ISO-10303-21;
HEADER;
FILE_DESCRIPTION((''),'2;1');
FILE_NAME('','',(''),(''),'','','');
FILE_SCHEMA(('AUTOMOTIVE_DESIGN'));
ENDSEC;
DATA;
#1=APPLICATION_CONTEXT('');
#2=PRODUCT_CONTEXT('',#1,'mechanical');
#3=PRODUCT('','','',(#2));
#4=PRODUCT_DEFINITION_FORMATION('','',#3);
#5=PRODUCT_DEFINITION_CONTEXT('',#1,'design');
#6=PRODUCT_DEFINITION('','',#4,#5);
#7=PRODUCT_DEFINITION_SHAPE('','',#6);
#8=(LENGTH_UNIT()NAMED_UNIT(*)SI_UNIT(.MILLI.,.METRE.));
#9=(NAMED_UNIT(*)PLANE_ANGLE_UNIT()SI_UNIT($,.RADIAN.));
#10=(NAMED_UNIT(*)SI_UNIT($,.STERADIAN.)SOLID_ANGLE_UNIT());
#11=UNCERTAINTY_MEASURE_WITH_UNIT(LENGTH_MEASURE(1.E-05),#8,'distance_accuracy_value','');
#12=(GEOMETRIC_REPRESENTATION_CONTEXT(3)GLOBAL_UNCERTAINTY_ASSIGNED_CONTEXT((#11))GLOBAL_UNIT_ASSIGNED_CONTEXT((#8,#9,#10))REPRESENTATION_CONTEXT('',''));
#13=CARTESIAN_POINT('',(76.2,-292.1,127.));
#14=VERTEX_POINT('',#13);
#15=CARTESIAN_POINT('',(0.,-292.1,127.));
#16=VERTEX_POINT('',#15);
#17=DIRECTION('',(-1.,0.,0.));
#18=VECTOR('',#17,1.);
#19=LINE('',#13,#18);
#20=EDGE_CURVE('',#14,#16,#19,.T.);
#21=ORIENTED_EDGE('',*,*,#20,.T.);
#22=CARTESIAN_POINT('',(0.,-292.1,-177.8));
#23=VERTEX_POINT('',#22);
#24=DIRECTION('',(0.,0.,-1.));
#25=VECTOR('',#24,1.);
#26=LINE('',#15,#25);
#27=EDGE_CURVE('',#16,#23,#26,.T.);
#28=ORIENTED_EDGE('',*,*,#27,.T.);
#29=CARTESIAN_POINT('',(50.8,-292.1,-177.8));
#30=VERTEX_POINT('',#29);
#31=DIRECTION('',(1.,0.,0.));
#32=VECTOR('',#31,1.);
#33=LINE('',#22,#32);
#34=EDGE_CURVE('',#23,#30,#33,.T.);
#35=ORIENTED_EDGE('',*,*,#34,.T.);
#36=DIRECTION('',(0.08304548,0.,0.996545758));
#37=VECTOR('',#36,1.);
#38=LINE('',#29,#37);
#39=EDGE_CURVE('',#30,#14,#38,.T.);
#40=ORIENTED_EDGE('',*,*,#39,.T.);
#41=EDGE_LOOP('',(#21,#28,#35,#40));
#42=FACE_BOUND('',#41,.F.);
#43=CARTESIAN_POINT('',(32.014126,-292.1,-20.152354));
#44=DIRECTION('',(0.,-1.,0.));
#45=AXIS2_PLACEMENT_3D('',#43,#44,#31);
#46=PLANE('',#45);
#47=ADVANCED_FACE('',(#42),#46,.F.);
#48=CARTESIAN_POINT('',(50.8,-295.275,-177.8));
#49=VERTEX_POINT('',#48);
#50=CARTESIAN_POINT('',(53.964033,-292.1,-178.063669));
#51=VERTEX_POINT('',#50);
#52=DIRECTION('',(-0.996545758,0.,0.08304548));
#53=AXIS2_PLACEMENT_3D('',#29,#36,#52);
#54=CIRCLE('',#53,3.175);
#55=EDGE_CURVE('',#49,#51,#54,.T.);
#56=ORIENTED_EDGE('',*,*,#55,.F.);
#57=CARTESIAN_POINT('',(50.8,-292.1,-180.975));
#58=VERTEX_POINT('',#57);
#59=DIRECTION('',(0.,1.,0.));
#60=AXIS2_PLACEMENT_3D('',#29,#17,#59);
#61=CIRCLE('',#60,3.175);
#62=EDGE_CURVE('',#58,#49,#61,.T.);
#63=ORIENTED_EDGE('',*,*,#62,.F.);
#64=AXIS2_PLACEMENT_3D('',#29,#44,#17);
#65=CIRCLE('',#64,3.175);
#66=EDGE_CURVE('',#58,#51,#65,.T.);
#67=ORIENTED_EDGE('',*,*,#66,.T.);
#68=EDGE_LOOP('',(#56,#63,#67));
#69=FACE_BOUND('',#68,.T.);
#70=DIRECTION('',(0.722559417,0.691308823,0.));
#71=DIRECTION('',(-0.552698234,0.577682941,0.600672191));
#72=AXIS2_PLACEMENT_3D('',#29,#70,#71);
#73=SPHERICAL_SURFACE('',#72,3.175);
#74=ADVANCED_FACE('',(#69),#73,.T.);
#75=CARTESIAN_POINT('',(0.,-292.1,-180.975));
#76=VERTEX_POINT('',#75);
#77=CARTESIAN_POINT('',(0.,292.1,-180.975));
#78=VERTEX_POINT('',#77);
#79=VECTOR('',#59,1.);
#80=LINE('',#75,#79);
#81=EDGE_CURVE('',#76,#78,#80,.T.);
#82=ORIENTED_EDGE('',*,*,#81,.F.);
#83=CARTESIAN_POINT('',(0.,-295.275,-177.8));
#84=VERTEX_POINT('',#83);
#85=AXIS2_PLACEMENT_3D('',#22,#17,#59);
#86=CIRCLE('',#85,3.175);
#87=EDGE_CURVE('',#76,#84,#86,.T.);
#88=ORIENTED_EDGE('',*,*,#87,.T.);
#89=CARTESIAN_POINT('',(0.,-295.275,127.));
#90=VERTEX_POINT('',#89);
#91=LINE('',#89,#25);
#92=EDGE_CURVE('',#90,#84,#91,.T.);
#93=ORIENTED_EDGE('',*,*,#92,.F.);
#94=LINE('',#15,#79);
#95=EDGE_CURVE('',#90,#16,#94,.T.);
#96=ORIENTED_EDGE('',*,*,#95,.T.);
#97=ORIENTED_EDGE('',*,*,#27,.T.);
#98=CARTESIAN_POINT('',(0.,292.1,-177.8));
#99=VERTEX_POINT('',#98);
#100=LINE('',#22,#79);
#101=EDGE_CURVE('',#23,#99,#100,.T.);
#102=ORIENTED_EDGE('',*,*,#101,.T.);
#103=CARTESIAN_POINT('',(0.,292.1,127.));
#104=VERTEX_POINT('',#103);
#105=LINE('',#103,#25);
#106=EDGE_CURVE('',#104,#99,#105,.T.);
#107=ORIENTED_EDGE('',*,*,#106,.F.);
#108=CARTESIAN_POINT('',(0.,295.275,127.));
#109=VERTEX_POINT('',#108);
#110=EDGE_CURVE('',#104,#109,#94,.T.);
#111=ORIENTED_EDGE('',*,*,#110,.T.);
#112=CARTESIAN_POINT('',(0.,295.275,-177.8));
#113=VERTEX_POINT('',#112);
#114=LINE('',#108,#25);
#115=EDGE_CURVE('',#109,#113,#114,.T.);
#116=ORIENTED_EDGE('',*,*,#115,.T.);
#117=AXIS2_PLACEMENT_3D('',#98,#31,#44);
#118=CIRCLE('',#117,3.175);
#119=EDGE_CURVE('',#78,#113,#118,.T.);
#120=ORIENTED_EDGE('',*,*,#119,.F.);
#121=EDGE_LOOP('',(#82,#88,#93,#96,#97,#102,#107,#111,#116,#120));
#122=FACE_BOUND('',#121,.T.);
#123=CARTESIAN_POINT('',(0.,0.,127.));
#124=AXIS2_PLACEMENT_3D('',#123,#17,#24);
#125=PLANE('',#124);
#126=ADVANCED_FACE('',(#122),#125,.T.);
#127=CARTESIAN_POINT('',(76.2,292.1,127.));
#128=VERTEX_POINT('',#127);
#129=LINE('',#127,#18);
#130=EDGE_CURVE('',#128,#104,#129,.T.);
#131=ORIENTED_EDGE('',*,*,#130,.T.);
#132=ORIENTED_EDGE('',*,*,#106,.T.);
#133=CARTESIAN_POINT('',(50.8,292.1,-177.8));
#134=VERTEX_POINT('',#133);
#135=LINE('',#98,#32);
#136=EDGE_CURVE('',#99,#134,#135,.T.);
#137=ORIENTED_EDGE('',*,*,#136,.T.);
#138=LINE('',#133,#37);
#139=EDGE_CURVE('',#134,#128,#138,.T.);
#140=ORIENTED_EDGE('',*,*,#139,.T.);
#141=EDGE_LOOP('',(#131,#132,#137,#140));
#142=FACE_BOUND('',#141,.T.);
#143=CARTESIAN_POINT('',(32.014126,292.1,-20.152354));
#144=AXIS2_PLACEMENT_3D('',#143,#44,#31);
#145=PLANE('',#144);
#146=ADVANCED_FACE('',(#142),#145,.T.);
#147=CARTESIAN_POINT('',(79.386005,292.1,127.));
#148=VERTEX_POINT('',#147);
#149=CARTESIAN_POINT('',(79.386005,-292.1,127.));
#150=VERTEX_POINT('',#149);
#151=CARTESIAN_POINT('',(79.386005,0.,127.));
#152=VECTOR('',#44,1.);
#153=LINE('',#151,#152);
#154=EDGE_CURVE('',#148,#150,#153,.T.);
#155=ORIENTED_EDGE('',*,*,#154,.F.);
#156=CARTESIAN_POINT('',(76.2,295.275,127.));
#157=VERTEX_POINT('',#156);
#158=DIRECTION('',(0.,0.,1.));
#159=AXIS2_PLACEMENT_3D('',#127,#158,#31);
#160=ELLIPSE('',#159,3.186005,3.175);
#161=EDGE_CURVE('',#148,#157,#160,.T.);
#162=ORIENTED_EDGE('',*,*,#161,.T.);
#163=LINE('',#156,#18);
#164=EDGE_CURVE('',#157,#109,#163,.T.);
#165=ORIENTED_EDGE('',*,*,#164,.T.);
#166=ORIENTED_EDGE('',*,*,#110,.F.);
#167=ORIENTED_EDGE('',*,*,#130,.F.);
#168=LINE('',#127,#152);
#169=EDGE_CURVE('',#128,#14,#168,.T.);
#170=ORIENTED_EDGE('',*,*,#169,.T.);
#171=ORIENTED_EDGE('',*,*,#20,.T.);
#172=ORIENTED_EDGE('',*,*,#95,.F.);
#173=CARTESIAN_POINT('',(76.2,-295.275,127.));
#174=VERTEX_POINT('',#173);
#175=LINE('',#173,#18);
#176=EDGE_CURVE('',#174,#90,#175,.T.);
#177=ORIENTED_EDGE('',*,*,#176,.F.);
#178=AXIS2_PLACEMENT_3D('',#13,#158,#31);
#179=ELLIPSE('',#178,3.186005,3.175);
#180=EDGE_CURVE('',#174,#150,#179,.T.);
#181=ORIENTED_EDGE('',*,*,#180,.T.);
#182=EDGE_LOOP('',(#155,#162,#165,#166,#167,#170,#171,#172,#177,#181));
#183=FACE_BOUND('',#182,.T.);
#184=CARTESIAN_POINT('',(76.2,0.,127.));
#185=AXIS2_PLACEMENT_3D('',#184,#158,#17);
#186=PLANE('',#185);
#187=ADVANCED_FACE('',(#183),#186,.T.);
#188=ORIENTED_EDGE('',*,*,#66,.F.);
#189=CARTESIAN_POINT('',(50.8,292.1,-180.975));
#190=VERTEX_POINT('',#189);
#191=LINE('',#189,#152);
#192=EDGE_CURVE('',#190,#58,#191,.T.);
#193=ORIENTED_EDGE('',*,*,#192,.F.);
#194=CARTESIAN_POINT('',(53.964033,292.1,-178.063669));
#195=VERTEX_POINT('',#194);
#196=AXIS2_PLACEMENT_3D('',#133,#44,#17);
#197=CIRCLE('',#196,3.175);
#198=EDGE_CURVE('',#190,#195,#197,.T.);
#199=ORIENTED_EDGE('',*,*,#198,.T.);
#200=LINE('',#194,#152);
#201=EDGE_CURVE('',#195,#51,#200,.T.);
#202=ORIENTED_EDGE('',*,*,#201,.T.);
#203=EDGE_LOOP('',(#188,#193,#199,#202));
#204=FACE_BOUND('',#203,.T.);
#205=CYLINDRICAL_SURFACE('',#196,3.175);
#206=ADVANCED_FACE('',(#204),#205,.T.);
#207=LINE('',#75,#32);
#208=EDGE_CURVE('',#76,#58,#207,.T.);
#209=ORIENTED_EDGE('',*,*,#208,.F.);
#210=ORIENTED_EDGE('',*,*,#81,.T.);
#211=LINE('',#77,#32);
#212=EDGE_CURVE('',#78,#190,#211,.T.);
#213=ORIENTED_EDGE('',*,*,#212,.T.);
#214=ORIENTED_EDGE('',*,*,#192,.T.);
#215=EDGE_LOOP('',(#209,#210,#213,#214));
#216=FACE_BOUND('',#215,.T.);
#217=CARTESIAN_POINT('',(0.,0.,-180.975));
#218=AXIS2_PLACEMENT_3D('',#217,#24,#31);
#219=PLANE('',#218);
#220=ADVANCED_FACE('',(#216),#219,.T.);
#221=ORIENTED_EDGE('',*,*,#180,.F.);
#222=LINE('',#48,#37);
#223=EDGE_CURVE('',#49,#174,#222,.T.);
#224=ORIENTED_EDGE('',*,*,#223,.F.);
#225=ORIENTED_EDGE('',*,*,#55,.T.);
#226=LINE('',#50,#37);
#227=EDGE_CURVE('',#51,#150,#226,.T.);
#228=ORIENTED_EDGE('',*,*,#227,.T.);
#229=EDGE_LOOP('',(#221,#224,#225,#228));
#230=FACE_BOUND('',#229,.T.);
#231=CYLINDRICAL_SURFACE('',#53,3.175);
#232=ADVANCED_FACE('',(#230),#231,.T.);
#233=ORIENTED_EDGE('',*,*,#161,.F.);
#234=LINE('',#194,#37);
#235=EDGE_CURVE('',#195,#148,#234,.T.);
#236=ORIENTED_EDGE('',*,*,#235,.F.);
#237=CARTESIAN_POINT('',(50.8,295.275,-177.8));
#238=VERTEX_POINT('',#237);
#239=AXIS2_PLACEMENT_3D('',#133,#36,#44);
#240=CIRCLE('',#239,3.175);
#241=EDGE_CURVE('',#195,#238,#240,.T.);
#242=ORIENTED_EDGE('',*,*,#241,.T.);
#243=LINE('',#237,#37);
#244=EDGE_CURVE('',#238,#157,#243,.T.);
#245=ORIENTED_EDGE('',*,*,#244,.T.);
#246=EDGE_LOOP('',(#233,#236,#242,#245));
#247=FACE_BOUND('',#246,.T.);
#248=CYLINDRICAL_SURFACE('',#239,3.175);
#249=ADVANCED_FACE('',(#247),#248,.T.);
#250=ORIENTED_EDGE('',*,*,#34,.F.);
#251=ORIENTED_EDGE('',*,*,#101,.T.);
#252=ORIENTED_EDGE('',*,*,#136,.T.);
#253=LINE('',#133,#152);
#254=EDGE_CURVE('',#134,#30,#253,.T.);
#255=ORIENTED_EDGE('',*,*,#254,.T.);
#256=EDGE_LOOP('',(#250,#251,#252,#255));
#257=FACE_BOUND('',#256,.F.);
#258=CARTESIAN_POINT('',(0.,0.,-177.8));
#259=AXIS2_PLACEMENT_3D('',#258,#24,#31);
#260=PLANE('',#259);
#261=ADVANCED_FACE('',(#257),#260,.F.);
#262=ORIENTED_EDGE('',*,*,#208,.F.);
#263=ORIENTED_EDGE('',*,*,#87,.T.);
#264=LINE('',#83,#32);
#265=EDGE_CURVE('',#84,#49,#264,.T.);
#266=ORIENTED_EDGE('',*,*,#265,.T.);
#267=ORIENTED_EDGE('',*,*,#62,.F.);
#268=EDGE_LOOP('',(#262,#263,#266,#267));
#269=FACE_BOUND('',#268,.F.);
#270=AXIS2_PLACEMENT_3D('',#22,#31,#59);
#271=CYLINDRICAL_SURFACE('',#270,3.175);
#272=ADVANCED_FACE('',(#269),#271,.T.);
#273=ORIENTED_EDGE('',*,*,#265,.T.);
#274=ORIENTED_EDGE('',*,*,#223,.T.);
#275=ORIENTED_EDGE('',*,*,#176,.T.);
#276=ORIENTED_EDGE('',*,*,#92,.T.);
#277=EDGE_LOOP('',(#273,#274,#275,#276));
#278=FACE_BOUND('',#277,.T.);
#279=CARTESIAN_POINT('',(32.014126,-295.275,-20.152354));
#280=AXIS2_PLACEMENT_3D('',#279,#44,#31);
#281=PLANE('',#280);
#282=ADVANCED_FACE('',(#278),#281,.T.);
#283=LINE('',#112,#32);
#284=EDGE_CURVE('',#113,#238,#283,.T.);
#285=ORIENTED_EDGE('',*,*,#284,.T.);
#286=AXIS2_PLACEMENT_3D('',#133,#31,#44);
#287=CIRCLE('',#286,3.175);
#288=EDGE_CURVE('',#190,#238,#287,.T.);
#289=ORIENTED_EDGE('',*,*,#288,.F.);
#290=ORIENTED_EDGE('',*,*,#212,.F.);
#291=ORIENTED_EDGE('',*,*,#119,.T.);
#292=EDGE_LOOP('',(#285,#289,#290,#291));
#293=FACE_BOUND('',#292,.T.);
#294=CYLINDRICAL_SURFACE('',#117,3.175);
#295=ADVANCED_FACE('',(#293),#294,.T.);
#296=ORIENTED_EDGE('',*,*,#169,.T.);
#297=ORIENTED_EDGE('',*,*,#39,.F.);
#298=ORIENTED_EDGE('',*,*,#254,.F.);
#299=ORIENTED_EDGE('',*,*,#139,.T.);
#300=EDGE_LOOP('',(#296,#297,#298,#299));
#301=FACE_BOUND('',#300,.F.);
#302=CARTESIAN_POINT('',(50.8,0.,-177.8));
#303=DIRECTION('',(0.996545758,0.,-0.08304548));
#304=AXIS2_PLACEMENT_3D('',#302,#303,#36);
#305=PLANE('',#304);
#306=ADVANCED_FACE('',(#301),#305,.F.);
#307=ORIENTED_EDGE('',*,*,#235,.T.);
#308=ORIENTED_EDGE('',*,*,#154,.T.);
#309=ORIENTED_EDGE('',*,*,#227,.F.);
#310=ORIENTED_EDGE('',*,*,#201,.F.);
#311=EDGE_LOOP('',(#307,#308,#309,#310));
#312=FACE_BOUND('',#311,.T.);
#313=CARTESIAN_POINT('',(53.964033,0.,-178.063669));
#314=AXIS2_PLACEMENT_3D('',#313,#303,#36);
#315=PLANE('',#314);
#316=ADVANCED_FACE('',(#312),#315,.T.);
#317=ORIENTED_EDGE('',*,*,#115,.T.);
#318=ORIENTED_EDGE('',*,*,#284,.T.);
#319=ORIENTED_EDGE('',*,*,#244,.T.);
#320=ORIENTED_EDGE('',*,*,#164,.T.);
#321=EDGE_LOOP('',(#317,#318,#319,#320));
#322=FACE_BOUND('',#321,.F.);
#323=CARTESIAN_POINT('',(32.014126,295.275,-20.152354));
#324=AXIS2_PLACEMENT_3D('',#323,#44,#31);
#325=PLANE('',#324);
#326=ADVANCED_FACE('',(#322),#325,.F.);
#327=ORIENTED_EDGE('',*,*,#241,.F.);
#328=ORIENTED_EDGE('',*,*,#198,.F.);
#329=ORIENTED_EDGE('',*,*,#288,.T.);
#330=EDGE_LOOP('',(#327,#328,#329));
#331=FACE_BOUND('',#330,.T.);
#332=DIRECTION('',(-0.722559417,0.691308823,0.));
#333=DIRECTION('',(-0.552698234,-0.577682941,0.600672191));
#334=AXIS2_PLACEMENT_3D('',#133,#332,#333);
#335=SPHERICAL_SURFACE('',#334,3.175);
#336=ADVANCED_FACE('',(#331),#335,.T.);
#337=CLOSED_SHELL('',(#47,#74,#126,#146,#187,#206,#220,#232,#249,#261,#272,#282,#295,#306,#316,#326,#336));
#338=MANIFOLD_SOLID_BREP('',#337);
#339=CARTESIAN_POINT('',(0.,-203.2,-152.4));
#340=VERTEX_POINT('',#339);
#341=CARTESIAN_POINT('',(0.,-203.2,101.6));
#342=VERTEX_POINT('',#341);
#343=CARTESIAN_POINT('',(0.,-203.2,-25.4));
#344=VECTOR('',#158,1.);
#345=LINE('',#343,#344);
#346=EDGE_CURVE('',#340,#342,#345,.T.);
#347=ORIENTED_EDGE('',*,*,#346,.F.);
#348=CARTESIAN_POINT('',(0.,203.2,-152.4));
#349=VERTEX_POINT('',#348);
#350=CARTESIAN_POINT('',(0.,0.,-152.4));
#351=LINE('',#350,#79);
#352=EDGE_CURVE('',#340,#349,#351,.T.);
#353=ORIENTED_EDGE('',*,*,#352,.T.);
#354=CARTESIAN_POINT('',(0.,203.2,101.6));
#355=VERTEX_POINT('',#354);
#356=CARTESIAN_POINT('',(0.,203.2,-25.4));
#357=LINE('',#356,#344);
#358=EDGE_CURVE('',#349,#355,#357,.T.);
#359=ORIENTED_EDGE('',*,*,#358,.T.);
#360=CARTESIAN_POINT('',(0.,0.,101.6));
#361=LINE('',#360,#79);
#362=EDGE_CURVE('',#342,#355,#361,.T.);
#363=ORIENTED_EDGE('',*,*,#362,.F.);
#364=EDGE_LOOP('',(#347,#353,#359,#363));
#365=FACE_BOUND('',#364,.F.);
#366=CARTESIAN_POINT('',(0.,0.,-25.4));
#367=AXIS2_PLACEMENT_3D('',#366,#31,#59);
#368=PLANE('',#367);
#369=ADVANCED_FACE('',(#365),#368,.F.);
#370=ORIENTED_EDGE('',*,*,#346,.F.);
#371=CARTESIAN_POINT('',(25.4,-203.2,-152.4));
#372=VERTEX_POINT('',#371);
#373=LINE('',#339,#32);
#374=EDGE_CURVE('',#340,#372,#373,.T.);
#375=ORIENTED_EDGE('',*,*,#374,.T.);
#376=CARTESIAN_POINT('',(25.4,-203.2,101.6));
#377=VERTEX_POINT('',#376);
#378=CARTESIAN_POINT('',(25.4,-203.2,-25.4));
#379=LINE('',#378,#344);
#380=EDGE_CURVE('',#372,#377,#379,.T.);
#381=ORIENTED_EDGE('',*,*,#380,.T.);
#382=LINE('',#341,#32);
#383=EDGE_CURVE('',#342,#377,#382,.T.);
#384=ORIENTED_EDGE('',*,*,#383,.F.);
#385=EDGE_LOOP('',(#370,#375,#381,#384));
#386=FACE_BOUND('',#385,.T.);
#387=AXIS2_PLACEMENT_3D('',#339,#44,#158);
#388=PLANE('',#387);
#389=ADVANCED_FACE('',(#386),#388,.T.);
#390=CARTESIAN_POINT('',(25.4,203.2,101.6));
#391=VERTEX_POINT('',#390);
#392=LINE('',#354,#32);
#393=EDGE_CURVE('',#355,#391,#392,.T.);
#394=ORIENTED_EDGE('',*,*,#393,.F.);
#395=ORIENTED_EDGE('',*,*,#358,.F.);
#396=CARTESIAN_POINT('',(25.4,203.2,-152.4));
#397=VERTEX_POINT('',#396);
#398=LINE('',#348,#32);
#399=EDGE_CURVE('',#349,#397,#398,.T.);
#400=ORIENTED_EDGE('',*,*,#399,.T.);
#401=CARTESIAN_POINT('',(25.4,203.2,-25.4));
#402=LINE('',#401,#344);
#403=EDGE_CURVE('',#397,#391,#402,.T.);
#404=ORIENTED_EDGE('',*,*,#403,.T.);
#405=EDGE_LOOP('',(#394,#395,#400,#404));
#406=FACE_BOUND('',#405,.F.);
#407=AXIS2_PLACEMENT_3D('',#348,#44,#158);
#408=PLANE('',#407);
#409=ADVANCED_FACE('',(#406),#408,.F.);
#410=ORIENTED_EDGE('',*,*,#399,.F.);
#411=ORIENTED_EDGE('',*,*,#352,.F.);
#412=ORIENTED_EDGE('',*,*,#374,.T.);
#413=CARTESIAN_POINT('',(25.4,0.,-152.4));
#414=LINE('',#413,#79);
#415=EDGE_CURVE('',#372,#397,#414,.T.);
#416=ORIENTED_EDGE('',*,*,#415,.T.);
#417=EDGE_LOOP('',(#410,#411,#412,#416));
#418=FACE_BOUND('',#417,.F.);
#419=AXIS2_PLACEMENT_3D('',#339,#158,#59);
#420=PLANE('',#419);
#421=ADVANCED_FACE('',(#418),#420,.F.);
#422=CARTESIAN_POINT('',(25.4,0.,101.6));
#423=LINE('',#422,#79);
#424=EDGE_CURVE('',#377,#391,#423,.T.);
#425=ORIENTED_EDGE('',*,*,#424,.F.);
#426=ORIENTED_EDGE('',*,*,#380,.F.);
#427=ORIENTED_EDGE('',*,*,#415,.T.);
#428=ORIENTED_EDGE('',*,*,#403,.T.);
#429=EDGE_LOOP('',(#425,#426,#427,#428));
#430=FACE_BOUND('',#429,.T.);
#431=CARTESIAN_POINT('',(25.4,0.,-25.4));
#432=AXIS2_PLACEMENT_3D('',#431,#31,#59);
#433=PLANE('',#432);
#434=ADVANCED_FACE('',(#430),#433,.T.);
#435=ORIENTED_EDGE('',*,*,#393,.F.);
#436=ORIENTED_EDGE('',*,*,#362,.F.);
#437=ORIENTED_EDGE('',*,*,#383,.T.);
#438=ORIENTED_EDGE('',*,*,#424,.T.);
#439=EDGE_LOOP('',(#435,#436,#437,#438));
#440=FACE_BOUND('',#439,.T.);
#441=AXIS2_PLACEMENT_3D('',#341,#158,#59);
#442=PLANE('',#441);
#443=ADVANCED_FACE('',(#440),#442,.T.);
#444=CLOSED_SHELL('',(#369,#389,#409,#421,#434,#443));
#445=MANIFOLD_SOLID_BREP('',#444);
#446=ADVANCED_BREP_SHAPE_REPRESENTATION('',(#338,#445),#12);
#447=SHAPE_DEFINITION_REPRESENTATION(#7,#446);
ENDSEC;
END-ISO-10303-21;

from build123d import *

# Parameters (mm, degrees)
SKETCH_W     = 406.4
SKETCH_H     = 254
PAD_DEPTH    = 25.4
PAD001_DEPTH = 292.1
THICKNESS_T  = 3.175


with BuildPart() as filter001:
    # Sketch → Pad (new body)
    with BuildSketch(Plane.YZ):
        with Locations((0, -25.4)):
            Rectangle(SKETCH_W, SKETCH_H)
    extrude(amount=PAD_DEPTH)


with BuildPart() as transition:
    # Sketch001 → Pad001 (new body, symmetric)
    with BuildSketch(Plane.XZ):
        Polygon((0, -177.8), (50.8, -177.8), (76.2, 127), (0, 127), align=None)
    extrude(amount=PAD001_DEPTH, both=True)

    # Thickness
    thickness_openings = [transition.faces().sort_by_distance(p)[0] for p in [
        (38.1, 0, 127),
        (0, 0, -25.4),
    ]]
    offset(amount=THICKNESS_T, openings=thickness_openings)


solid = Compound([filter001.part, transition.part])
